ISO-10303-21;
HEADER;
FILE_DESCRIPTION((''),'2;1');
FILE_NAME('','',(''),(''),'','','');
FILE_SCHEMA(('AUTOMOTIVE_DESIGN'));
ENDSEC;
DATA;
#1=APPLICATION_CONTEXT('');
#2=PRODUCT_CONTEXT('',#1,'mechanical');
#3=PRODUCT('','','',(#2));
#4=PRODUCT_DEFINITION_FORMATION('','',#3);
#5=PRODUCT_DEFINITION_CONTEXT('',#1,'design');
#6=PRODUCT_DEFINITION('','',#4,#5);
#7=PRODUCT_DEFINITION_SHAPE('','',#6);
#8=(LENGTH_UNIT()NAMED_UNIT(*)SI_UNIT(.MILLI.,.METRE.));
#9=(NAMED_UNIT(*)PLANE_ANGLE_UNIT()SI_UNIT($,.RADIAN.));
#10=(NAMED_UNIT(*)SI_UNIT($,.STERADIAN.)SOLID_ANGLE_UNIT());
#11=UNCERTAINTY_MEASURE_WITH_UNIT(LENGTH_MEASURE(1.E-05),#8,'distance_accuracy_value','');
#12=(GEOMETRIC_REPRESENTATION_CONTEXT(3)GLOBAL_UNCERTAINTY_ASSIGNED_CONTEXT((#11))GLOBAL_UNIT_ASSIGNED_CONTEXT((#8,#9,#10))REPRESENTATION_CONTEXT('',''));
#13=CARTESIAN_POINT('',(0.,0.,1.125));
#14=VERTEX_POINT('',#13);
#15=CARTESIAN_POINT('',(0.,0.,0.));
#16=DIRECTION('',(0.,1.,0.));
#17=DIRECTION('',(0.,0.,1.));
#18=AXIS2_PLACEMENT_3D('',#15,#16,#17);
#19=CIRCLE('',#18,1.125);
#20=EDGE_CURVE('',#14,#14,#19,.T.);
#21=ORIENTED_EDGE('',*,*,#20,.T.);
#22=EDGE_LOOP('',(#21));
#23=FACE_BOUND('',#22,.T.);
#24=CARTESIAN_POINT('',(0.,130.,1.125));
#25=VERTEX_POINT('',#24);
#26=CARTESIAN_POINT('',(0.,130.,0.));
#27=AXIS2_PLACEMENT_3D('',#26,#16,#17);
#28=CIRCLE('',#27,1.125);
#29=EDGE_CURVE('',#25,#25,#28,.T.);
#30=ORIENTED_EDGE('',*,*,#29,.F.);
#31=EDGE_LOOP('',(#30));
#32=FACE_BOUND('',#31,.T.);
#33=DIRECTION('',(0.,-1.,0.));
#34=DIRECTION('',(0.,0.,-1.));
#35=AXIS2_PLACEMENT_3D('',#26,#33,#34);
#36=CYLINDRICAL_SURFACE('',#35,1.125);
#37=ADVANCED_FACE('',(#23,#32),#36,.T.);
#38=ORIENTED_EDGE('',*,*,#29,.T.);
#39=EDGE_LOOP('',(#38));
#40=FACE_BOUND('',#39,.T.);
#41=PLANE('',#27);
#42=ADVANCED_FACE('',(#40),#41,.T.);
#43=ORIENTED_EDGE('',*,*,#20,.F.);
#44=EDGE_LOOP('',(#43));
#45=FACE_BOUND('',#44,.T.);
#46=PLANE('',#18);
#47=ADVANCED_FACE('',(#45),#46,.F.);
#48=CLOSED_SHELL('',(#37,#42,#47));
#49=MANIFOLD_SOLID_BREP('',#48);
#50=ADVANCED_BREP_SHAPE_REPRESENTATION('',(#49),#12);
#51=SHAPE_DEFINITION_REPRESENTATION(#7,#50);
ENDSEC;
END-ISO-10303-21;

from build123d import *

# Parameters (mm, degrees)
SZKIC1_R                    = 1.125
DODANIE_WYCI_GNI_CIE1_DEPTH = 130


with BuildPart() as part:
    # Szkic1 → Dodanie-wyciągnięcie1 (new body)
    with BuildSketch(Plane(origin=(0, 0, 0), x_dir=(1, 0, 0), z_dir=(0, 1, 0))):
        with Locations(Location((0, 0, 0), (0, 0, 270))):
            Circle(SZKIC1_R)
    extrude(amount=DODANIE_WYCI_GNI_CIE1_DEPTH)


solid = part.part
